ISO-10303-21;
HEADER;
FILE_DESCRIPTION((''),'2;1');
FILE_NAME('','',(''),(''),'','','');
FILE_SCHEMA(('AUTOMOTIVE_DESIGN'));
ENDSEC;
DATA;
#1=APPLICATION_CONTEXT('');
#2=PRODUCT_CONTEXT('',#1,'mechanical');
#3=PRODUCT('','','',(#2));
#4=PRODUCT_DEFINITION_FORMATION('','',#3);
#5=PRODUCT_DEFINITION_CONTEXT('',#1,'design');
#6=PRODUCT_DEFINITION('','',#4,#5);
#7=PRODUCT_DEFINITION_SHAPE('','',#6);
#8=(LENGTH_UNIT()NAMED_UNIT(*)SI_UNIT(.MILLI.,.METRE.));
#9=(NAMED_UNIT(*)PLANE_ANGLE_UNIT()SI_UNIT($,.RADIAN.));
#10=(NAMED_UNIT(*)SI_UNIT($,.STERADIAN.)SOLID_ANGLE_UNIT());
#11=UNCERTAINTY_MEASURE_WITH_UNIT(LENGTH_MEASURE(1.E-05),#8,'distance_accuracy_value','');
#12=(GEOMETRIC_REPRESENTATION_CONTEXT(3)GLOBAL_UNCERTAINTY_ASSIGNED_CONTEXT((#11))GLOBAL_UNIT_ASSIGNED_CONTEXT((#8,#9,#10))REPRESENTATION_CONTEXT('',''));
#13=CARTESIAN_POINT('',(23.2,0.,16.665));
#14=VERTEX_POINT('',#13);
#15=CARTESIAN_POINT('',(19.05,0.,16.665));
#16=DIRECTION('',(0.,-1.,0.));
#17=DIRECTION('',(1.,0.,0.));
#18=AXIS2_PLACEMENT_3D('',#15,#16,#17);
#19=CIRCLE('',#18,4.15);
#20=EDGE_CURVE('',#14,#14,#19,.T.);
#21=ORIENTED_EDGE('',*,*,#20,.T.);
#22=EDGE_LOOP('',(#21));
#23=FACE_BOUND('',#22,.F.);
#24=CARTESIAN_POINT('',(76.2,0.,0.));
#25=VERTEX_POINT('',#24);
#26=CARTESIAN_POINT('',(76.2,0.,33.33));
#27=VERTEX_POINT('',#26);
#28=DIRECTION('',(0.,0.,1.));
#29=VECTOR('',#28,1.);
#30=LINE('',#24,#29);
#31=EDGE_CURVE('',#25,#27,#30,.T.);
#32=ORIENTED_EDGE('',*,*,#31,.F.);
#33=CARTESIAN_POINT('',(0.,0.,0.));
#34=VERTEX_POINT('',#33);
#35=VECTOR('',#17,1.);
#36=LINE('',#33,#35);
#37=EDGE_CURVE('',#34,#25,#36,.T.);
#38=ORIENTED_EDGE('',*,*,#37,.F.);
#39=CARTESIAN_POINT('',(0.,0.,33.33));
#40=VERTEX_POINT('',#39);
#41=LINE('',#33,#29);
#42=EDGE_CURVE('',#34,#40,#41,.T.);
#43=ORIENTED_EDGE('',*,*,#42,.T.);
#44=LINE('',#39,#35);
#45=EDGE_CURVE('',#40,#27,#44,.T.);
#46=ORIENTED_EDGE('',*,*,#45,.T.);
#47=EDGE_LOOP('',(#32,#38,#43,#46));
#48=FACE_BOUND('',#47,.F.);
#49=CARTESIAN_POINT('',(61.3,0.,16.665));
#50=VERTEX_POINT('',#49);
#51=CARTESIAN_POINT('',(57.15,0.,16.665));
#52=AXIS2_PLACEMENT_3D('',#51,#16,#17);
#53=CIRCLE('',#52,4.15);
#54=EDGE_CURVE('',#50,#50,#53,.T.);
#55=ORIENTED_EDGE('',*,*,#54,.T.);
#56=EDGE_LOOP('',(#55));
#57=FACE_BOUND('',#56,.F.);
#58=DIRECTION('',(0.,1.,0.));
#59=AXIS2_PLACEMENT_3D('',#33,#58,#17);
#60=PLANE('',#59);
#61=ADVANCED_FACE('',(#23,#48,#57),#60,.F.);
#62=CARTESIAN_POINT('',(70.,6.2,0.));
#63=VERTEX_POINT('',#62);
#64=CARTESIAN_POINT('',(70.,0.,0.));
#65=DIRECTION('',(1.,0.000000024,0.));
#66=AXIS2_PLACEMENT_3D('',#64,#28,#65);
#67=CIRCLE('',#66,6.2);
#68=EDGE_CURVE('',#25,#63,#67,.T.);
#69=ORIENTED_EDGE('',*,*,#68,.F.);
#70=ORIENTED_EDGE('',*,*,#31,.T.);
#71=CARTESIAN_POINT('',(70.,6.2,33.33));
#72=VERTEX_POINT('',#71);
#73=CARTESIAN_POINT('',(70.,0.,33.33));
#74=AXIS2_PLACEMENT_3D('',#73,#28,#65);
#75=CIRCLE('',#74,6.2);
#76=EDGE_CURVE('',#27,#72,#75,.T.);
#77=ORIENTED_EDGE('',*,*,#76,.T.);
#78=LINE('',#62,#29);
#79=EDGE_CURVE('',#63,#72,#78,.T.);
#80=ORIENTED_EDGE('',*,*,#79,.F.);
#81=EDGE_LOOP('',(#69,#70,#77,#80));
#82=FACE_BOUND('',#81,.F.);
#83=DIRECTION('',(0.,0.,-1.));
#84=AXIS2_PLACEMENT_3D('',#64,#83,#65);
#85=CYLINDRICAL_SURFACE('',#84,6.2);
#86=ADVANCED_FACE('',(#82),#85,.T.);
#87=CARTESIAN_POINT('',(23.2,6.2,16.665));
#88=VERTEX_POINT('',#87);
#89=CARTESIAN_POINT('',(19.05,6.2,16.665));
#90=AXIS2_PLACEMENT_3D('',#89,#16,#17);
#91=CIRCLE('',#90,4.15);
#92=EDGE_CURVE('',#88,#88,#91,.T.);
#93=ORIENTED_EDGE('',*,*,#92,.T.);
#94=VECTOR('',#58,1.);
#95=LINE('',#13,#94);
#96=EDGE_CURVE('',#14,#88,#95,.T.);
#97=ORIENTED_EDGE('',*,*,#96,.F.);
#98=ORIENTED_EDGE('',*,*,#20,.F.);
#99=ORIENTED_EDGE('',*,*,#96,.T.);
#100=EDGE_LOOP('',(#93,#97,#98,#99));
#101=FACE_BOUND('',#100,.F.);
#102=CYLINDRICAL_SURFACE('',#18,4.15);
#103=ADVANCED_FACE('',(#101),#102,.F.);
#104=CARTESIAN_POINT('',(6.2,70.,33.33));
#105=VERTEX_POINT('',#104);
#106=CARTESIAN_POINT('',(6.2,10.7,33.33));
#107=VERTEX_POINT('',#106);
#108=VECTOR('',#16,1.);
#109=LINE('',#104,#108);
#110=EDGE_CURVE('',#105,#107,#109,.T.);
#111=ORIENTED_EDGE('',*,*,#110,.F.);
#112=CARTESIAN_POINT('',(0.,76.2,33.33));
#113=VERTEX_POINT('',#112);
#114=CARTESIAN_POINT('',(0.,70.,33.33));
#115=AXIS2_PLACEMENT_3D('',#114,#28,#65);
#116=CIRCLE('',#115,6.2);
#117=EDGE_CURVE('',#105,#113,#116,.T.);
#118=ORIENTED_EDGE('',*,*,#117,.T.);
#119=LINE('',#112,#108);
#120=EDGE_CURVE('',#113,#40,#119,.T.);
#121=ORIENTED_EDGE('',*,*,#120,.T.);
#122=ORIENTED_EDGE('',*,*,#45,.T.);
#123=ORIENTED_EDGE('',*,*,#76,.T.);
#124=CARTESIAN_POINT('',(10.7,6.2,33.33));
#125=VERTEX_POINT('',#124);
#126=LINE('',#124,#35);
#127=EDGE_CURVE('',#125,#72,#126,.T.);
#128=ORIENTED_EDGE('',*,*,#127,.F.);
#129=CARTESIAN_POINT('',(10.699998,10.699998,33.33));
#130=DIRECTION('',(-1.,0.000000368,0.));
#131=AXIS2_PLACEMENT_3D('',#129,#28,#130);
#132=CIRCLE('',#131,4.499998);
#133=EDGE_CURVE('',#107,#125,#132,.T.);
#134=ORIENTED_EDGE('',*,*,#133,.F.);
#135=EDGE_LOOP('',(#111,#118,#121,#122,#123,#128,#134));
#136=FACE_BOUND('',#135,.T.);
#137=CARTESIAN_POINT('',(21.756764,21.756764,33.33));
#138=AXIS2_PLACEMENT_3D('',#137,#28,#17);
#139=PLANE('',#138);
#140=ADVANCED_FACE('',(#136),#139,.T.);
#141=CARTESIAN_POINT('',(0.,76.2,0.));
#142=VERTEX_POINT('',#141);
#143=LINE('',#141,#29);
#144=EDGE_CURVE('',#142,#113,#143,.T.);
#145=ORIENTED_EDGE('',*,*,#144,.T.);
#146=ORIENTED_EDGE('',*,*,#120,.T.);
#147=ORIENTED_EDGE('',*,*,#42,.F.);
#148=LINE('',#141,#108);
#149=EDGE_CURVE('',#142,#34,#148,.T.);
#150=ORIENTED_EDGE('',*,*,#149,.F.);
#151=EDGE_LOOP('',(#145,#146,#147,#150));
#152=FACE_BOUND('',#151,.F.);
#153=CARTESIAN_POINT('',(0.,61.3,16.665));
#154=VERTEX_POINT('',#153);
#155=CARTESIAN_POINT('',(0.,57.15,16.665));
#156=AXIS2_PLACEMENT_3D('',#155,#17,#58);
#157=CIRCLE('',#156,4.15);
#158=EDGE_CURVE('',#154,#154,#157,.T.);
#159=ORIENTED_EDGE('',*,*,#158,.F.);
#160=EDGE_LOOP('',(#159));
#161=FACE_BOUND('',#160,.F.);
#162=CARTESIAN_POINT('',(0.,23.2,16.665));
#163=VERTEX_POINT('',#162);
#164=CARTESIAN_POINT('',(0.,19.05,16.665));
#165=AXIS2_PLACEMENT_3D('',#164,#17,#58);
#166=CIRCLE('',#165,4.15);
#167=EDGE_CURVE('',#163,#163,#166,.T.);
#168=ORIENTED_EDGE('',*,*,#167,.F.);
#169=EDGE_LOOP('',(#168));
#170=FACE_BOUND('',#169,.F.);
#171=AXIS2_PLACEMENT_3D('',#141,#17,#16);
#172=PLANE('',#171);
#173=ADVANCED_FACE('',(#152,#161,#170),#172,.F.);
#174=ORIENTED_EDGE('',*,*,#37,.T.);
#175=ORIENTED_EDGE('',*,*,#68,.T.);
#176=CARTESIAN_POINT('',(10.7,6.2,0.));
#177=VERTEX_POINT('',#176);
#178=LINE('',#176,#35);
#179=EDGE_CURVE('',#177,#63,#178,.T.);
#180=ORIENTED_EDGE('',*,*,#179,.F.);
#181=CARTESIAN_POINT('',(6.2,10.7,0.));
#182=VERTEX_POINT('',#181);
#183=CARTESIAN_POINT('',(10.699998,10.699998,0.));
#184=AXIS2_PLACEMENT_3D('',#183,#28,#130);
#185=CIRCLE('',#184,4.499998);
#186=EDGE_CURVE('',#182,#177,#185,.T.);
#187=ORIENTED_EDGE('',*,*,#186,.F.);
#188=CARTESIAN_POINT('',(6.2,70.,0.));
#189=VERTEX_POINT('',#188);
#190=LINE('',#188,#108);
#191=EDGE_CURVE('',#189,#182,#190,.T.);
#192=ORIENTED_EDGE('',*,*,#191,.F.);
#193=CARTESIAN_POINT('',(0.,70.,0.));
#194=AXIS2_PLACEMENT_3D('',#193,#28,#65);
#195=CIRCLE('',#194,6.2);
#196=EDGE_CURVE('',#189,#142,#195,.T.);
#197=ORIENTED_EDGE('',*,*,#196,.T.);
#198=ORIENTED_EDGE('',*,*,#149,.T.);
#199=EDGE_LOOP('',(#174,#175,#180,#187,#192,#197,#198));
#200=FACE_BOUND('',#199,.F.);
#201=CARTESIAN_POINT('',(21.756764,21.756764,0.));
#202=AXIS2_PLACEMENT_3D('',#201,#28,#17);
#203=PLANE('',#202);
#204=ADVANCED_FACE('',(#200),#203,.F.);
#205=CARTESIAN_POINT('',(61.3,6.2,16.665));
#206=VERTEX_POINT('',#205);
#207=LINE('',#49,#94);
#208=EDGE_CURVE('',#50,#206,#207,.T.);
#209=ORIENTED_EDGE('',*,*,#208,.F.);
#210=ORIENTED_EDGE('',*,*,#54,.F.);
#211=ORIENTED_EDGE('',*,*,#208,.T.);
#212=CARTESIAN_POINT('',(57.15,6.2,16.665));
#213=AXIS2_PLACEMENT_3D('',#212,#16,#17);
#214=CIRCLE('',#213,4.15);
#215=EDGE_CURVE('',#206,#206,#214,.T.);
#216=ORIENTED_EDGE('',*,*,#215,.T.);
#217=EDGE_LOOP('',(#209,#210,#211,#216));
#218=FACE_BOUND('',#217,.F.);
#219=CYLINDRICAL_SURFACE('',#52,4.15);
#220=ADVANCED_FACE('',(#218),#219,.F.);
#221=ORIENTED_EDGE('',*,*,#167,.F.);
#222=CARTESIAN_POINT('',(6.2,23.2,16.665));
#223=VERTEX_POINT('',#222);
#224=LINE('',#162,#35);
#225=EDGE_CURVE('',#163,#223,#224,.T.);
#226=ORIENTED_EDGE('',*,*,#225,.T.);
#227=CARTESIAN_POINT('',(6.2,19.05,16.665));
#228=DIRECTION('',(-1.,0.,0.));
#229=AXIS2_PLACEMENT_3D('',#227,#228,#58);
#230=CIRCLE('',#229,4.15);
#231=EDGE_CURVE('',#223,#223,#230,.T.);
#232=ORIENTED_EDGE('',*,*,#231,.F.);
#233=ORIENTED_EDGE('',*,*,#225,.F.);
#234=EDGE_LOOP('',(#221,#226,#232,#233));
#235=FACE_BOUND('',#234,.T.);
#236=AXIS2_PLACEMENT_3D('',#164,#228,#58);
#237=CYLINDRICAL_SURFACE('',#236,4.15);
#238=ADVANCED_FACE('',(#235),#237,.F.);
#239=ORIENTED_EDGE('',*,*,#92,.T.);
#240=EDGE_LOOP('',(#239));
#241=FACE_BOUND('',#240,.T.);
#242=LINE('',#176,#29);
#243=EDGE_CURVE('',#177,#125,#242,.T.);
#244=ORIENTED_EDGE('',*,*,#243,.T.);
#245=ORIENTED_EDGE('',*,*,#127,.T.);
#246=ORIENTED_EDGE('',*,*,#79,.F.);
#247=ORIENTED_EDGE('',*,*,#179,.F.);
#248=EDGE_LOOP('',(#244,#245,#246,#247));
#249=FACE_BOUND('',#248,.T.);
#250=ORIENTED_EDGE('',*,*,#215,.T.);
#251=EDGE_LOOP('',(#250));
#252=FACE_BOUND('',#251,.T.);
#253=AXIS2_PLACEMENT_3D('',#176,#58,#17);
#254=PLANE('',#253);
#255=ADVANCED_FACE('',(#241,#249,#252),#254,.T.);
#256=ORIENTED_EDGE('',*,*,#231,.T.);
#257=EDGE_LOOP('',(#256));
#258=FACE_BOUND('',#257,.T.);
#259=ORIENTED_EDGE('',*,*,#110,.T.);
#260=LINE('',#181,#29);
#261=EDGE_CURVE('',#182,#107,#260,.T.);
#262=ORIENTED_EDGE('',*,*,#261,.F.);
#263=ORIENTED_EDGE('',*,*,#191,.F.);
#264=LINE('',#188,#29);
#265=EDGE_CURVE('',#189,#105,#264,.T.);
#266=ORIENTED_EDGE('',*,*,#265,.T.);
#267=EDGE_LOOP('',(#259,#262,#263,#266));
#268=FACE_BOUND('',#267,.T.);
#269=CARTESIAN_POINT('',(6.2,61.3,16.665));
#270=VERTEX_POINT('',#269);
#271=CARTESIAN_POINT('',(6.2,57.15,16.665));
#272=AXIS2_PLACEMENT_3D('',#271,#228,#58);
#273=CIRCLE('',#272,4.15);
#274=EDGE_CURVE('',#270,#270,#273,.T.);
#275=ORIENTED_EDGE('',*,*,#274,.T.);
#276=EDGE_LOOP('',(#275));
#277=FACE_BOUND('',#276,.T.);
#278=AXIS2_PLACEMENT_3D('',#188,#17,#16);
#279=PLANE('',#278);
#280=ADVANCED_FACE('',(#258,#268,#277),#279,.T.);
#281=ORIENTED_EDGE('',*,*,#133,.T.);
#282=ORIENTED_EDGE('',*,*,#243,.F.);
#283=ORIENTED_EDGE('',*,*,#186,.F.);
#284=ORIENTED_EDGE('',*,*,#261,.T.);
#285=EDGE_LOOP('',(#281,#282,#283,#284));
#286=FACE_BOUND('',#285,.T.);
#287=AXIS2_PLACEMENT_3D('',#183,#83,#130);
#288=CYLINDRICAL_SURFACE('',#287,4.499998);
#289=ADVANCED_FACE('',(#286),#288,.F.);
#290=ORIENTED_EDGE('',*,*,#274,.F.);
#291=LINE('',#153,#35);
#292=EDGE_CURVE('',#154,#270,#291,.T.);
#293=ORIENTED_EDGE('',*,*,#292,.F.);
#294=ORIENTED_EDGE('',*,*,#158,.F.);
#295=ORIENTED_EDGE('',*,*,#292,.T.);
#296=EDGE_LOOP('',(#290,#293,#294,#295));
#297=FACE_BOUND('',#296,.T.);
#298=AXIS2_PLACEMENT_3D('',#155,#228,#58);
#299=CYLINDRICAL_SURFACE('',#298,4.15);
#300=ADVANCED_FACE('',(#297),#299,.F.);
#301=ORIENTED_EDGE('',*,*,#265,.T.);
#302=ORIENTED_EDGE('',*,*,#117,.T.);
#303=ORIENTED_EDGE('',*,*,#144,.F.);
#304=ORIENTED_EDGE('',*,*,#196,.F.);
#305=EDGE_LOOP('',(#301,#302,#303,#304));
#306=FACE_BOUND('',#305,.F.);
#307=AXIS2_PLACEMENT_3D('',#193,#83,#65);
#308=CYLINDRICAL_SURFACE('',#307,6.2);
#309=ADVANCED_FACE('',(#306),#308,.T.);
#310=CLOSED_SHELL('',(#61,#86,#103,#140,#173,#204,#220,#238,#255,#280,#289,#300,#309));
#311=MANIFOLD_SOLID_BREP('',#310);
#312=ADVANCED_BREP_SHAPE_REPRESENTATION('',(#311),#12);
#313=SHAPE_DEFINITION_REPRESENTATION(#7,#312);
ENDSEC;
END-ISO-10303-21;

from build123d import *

# Parameters (mm, degrees)
PAD_DEPTH       = 33.33
SKETCH001_R     = 4.15
POCKET_DEPTH    = 76.201
SKETCH002_R     = 4.15
POCKET001_DEPTH = 76.201


with BuildPart() as part:
    # Sketch → Pad (new body)
    with BuildSketch(Plane.XY):
        with BuildLine():
            Line((0, 76.2), (0, 0))
            Line((0, 0), (76.2, 0))
            ThreePointArc((76.2, 0), (74.384062, 4.384062), (70, 6.2))
            Line((10.7, 6.2), (70, 6.2))
            ThreePointArc((6.2, 10.7), (7.518019, 7.518019), (10.7, 6.2))
            Line((6.2, 70), (6.2, 10.7))
            ThreePointArc((6.2, 70), (4.384062, 74.384062), (0, 76.2))
        make_face()
    extrude(amount=PAD_DEPTH)

    # Sketch001 → Pocket (cut, through all)
    with BuildSketch(Plane.XZ):
        with Locations((19.05, 16.665)):
            Circle(SKETCH001_R)
        with Locations((57.15, 16.665)):
            Circle(SKETCH001_R)
    extrude(amount=-POCKET_DEPTH, mode=Mode.SUBTRACT)

    # Sketch002 → Pocket001 (cut, through all)
    with BuildSketch(Plane.YZ):
        with Locations((19.05, 16.665)):
            Circle(SKETCH002_R)
        with Locations((57.15, 16.665)):
            Circle(SKETCH002_R)
    extrude(amount=POCKET001_DEPTH, mode=Mode.SUBTRACT)


solid = part.part
